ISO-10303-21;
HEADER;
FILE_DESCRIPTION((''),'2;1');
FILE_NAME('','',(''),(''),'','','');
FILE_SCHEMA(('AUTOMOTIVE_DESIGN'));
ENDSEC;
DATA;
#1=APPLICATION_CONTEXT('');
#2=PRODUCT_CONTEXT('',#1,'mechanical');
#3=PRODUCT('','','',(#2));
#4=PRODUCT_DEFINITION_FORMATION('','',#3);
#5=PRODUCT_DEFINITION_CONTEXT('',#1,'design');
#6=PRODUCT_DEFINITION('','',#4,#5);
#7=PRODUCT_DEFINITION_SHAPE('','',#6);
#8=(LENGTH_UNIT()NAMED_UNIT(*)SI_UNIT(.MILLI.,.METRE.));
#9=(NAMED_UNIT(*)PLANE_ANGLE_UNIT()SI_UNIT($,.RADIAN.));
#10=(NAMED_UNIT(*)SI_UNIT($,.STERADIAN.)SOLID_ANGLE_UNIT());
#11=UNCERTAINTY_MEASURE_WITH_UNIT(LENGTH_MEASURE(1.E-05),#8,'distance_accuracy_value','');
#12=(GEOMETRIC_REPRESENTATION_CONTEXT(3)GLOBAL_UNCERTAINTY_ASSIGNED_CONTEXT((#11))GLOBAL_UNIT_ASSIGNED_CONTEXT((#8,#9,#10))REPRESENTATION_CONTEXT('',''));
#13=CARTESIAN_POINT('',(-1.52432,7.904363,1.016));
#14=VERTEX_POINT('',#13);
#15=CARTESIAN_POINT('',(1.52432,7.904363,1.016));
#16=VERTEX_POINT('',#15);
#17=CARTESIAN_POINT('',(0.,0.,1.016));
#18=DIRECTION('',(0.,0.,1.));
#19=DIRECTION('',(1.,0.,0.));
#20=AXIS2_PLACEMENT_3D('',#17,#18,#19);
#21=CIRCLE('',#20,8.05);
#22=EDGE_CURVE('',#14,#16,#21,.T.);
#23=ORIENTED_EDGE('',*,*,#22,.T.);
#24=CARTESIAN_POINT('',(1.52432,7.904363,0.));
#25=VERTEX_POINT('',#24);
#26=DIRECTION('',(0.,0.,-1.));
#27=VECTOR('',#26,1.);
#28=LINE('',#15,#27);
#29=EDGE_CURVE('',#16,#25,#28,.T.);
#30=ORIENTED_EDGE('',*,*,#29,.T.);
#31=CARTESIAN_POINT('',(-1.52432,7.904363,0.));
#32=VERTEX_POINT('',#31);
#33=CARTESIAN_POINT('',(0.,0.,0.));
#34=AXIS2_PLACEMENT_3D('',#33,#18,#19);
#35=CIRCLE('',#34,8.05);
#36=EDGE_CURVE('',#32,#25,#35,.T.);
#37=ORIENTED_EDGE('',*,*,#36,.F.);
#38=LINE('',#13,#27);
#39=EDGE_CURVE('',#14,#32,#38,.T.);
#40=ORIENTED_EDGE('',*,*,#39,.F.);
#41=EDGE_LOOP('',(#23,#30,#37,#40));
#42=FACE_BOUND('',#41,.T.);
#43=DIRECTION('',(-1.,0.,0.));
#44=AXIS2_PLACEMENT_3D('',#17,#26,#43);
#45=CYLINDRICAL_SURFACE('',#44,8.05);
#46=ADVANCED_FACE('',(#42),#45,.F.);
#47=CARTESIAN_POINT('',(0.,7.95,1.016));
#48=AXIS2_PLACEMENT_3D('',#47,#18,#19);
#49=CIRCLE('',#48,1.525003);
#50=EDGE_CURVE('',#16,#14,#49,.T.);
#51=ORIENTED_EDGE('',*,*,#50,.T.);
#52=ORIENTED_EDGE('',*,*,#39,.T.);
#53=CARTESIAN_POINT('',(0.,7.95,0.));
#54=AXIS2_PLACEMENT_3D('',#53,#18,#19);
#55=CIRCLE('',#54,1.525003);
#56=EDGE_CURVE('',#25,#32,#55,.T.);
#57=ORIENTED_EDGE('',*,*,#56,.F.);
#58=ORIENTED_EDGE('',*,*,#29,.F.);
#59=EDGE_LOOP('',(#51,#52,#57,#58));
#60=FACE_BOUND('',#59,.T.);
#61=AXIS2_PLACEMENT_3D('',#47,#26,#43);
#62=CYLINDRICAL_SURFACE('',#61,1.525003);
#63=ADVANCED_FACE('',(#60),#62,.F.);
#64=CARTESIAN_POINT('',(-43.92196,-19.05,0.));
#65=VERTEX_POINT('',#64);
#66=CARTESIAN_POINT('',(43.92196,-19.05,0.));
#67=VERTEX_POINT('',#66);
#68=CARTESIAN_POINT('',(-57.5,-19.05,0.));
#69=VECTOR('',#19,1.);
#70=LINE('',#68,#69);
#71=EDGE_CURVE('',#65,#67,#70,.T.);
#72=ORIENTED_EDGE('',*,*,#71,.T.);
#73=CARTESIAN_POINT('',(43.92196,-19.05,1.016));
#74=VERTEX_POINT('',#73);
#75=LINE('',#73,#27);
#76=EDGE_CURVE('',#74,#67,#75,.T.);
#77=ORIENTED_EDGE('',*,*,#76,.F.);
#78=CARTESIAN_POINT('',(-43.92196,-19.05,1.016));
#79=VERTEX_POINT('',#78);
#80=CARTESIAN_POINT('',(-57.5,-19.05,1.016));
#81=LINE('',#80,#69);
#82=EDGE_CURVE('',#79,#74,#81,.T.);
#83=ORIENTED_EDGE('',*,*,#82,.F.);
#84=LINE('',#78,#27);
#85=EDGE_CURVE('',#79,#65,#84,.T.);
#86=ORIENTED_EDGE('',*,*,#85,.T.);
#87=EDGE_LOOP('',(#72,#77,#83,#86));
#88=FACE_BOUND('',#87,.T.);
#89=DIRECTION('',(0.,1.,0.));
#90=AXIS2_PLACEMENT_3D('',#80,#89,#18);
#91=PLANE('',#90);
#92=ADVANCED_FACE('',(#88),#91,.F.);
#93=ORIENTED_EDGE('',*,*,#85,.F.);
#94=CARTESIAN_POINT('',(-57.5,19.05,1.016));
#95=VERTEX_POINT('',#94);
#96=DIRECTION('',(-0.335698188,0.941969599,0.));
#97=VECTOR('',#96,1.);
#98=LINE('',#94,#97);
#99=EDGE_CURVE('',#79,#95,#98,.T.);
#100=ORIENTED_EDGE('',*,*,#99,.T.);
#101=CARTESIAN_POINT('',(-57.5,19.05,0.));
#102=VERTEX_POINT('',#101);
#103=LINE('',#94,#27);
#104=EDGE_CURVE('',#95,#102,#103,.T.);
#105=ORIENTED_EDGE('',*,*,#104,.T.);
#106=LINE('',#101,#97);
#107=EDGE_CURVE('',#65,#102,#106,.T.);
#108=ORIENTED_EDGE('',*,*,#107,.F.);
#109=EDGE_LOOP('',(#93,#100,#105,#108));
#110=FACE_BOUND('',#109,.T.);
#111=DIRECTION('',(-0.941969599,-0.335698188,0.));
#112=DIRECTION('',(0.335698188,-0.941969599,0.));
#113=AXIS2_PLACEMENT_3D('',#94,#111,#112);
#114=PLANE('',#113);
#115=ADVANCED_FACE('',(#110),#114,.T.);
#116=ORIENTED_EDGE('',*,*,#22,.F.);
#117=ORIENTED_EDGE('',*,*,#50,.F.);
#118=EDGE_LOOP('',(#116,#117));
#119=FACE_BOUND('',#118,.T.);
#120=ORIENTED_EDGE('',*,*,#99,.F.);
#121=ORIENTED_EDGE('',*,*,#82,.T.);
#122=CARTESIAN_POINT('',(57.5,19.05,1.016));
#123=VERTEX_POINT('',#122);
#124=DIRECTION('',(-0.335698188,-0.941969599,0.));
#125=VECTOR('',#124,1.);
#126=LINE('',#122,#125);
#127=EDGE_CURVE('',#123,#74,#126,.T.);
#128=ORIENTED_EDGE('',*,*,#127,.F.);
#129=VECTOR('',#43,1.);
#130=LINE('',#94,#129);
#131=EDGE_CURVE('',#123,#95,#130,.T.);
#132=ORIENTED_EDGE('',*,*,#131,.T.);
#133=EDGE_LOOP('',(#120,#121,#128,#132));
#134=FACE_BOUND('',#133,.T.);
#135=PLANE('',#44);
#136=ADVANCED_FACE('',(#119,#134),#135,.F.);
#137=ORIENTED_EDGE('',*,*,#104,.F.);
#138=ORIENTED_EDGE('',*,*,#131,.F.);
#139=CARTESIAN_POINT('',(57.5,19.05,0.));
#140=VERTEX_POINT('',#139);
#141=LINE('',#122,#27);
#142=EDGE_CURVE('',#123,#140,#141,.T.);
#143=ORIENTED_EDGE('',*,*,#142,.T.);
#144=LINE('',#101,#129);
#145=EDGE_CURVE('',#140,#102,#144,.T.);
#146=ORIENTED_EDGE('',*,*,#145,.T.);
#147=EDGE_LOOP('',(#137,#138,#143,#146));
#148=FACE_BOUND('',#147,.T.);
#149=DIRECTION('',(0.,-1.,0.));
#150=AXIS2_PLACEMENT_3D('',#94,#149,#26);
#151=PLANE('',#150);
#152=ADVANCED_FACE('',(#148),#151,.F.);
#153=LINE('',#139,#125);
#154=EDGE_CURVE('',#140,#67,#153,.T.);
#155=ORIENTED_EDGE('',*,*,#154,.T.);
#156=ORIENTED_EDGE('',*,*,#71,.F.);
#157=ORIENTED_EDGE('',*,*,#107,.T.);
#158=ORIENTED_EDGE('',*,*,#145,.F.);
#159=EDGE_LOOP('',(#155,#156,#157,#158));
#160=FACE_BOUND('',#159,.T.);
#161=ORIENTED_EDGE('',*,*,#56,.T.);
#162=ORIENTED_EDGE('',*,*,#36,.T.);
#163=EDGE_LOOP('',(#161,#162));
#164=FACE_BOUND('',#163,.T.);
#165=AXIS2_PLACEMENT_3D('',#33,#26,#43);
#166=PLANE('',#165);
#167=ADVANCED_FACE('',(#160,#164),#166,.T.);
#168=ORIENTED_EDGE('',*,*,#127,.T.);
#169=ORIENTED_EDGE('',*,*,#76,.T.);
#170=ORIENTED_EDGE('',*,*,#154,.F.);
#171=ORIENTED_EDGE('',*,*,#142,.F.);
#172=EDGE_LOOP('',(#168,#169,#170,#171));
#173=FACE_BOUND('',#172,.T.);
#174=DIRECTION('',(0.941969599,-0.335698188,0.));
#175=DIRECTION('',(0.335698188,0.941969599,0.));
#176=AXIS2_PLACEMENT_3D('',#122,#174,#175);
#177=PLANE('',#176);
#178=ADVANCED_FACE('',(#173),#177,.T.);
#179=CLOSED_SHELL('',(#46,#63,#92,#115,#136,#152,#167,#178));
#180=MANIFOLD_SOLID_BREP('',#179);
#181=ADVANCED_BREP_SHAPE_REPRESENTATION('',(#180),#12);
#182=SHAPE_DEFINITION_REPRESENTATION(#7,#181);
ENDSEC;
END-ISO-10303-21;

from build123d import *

# Parameters (mm, degrees)
SKETCH1_W           = 115
SKETCH1_H           = 38.1
BOSS_EXTRUDE1_DEPTH = 1.016
CUT_EXTRUDE2_DEPTH  = 61.582049784


with BuildPart() as part:
    # Sketch1 → Boss-Extrude1 (new body)
    with BuildSketch(Plane.XY):
        Rectangle(SKETCH1_W, SKETCH1_H)
    extrude(amount=BOSS_EXTRUDE1_DEPTH)

    # Sketch2 → Cut-Extrude2 (cut, through all)
    with BuildSketch(Plane.XY):
        Polygon((-57.5, 19.05), (-57.5, -19.05), (-43.921959921, -19.05), align=None)
        Polygon((57.5, -19.05), (57.5, 19.05), (43.921959921, -19.05), align=None)
        with BuildLine():
            ThreePointArc((-1.524320269, 7.904362604), (0, -8.050000029), (1.524320269, 7.904362604))
            ThreePointArc((1.524320269, 7.904362604), (0, 9.475003402), (-1.524320269, 7.904362604))
        make_face()
    extrude(amount=CUT_EXTRUDE2_DEPTH, mode=Mode.SUBTRACT)


solid = part.part
